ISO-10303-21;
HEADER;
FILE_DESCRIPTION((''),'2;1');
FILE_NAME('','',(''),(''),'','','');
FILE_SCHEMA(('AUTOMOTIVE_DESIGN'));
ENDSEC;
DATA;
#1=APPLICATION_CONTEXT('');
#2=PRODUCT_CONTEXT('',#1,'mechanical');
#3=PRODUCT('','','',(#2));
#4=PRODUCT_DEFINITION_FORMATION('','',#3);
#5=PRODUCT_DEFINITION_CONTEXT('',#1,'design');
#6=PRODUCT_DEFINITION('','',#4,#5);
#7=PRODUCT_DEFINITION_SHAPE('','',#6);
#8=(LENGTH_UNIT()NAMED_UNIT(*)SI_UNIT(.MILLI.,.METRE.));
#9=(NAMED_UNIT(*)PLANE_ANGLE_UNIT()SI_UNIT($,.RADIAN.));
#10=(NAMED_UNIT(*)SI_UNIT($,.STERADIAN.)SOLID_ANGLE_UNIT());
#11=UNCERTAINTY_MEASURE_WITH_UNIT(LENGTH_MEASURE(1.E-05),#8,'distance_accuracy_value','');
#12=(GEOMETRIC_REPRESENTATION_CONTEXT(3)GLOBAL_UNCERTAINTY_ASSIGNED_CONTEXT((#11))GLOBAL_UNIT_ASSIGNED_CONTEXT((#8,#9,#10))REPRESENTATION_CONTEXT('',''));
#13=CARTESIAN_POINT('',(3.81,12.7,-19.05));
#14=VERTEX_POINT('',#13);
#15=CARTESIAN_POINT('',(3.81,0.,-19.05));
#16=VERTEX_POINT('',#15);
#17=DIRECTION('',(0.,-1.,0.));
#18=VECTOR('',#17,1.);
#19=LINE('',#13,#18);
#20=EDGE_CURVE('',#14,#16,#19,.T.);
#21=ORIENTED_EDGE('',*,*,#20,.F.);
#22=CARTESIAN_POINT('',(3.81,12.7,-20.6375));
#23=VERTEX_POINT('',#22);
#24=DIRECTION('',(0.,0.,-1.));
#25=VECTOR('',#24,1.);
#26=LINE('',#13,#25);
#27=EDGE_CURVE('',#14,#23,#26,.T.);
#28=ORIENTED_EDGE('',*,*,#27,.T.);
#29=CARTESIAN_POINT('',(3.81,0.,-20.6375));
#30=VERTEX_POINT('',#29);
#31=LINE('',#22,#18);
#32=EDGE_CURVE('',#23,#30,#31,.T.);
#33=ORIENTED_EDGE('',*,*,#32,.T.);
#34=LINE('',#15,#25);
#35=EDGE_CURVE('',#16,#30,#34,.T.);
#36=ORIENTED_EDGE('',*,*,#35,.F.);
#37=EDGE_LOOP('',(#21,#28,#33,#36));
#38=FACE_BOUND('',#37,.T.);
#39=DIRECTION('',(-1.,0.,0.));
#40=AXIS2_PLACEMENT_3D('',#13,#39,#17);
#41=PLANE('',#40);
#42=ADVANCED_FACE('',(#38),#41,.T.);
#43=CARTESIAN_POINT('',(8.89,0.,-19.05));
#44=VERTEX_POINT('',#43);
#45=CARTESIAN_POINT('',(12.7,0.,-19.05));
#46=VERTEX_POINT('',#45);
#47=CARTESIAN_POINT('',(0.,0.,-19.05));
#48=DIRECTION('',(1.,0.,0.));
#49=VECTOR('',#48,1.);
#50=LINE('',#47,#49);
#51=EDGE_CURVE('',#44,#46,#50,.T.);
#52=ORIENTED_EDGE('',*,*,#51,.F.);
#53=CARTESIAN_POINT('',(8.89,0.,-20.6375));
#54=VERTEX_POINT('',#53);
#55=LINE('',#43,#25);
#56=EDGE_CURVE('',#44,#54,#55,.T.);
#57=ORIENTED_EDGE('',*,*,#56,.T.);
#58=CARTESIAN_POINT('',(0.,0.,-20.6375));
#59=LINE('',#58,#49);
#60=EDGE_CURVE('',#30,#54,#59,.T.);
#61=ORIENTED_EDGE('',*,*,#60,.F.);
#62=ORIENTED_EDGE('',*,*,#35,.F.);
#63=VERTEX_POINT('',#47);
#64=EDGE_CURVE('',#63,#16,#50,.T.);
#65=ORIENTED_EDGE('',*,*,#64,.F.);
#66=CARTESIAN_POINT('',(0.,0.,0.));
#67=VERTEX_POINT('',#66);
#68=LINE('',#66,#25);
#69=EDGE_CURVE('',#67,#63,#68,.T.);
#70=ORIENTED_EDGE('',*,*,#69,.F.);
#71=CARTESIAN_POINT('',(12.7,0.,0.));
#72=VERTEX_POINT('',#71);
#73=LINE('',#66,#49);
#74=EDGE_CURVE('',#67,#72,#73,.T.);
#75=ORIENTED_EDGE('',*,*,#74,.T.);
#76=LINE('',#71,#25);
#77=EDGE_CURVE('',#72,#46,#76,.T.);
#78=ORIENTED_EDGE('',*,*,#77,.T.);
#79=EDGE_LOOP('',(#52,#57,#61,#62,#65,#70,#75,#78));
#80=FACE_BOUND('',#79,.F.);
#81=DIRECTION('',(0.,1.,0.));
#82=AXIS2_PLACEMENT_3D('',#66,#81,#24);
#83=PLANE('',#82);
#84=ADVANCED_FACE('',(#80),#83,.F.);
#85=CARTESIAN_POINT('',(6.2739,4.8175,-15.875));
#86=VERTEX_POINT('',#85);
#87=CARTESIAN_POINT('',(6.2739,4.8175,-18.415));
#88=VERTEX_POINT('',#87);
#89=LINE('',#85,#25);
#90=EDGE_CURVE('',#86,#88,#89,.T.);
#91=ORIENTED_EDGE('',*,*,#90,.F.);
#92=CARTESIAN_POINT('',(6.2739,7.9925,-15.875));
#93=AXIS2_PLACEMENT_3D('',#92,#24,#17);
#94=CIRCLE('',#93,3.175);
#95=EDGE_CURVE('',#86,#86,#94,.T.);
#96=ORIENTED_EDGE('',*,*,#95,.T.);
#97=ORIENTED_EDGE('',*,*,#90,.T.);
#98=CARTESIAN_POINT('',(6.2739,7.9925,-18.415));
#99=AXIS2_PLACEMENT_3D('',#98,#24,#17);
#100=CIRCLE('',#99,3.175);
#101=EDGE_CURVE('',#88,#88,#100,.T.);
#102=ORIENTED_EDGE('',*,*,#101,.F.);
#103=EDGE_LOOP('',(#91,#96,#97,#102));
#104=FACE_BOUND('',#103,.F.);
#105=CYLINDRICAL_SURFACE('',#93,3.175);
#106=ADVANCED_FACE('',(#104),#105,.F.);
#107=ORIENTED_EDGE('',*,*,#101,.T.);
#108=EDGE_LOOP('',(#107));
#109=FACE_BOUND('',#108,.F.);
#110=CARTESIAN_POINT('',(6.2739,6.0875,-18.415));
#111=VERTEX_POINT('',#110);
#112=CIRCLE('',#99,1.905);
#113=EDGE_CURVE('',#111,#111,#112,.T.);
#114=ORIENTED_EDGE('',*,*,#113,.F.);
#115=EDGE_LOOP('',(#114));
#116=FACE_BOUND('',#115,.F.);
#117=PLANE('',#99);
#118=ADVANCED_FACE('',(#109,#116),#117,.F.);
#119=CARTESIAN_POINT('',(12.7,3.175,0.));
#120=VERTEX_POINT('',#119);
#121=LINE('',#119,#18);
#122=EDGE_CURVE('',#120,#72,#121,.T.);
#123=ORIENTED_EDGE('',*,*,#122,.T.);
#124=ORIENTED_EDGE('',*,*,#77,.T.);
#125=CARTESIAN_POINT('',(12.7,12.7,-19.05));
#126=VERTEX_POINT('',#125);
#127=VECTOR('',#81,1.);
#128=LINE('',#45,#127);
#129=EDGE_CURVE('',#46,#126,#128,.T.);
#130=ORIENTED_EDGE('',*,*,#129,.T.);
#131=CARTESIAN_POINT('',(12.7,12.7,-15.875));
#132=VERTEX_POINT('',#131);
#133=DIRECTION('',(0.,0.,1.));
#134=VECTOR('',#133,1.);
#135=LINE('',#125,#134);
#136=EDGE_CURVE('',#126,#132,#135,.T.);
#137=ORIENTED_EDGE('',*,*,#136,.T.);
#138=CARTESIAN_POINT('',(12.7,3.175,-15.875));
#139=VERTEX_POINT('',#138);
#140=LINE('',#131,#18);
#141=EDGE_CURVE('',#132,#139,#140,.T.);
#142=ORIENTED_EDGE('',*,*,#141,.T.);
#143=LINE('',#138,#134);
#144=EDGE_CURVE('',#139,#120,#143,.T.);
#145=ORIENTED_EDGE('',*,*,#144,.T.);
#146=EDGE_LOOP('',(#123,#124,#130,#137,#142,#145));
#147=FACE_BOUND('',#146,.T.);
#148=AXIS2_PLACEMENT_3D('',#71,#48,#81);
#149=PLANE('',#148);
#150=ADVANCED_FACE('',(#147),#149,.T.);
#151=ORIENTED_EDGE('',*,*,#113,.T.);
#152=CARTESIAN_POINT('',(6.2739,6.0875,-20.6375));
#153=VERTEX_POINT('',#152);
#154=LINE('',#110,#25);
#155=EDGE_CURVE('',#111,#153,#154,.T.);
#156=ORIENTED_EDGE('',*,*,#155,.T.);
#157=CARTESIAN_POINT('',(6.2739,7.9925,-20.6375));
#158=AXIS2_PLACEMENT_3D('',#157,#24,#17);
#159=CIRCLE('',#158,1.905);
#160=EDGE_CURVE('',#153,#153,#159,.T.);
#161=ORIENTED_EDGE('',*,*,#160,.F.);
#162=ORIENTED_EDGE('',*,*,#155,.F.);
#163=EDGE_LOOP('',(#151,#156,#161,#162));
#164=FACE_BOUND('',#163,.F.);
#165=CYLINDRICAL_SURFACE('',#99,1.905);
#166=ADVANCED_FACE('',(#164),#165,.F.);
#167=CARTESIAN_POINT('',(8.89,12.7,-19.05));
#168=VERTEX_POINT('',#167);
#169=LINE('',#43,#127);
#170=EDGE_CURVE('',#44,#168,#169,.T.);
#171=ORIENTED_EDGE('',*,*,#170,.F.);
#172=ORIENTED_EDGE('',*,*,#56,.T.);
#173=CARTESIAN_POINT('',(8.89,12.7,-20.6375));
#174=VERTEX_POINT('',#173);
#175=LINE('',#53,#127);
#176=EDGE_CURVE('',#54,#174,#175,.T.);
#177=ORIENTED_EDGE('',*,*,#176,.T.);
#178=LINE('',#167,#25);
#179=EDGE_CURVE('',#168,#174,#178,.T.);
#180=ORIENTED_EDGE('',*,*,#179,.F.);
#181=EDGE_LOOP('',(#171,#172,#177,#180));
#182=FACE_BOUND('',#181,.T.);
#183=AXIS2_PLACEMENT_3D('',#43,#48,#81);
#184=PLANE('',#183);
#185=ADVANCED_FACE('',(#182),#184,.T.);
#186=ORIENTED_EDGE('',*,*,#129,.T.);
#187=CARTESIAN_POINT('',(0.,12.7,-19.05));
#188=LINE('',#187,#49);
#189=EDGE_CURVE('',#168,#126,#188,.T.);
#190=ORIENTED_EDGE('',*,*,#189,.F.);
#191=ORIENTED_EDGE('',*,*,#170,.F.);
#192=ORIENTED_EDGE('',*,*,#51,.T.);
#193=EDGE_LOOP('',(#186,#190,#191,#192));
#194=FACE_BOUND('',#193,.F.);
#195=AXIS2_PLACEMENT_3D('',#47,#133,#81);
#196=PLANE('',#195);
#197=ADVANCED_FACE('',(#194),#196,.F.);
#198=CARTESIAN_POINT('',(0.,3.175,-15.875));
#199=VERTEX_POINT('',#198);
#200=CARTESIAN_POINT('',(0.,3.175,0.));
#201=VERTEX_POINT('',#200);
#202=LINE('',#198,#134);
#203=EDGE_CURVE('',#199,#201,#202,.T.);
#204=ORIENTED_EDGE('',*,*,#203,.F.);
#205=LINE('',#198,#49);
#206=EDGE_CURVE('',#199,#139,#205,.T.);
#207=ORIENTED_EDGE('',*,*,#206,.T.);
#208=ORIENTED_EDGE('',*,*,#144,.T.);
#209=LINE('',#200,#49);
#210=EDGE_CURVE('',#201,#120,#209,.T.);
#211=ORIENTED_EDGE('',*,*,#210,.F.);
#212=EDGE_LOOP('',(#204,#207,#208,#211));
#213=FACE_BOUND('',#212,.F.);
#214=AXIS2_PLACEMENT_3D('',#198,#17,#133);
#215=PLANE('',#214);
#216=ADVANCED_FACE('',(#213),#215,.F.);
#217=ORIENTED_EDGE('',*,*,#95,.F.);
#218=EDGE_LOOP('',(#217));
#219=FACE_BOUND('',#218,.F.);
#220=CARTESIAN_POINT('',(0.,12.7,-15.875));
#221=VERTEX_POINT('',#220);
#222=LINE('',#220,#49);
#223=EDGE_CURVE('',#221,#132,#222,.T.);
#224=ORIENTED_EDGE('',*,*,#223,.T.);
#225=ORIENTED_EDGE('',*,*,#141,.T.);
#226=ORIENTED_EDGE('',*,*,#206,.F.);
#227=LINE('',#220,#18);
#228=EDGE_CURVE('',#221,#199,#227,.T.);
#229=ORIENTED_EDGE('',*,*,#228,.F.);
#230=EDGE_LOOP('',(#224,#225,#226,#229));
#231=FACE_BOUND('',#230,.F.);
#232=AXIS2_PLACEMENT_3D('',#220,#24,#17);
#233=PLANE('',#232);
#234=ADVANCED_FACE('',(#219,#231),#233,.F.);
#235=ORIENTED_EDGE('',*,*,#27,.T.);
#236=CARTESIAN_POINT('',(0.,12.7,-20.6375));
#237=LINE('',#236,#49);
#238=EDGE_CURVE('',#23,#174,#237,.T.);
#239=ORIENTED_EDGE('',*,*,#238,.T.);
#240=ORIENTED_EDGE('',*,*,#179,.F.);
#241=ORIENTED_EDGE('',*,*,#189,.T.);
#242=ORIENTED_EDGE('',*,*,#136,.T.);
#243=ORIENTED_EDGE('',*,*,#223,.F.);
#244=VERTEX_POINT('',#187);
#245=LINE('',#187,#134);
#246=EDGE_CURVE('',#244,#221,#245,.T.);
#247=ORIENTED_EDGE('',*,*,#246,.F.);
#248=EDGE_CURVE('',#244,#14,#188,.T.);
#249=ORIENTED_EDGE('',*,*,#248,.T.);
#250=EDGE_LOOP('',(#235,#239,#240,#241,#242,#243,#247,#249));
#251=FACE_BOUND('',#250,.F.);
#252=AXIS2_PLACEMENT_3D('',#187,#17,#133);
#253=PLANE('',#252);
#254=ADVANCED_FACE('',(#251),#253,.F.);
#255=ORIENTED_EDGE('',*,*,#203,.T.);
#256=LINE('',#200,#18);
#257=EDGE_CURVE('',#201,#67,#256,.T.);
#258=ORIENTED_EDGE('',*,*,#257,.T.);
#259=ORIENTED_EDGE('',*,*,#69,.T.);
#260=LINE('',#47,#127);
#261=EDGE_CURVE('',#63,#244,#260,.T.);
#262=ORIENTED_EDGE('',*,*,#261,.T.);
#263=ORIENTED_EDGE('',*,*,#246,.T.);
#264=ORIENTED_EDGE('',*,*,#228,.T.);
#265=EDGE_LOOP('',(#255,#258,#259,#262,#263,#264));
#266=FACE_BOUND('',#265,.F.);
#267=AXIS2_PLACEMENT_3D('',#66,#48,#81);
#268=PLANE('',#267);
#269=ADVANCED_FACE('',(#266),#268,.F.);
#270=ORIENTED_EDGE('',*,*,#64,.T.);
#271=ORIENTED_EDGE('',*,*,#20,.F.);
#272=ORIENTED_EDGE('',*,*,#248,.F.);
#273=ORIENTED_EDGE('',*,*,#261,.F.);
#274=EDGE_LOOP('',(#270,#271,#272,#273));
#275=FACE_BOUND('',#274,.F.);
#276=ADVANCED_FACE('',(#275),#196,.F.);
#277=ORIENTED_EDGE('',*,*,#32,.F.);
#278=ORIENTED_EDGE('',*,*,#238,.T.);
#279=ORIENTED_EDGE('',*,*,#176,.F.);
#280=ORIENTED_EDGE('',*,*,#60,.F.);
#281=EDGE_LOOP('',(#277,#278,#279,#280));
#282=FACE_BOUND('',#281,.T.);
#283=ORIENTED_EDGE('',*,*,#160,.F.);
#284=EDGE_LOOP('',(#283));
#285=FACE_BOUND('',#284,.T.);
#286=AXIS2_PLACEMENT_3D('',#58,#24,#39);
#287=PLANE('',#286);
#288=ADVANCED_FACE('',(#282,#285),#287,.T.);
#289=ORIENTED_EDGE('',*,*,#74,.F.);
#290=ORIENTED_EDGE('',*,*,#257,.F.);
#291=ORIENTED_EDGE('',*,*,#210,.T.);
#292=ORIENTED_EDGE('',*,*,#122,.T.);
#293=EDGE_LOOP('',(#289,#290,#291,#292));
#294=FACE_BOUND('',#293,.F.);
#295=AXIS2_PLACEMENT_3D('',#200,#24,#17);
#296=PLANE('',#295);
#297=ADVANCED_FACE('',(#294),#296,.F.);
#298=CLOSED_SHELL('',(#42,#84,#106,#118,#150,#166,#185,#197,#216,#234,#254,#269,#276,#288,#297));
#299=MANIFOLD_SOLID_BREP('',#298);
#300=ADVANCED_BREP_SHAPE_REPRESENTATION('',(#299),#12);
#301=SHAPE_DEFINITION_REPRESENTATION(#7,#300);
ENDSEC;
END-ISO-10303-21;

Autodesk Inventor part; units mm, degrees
ref_plane "YZ Plane" through (0, 0, 0) normal (1, 0, 0) x (0, 1, 0)
ref_plane "XZ Plane" through (0, 0, 0) normal (0, 1, 0) x (-1, 0, 0)
ref_plane "XY Plane" through (0, 0, 0) normal (0, 0, 1) x (1, 0, 0)
sketch "Sketch1" plane through (0, 0, 0) normal (1, 0, 0) x (0, 1, 0)
  line L0 (0, 0) -> (0, -19.05)
  line L1 (0, -19.05) -> (12.7, -19.05)
  line L2 (12.7, -19.05) -> (12.7, -15.875)
  line L3 (12.7, -15.875) -> (3.175, -15.875)
  line L4 (3.175, -15.875) -> (3.175, 0)
  line L5 (3.175, 0) -> (0, 0)
  dimension "d0" = 3.175
  dimension "d1" = 12.7
  dimension "d4" = 3.175
  dimension "d5" = 19.05
extrude "Extrusion1" add sketch "Sketch1" along normal blind 12.7
sketch "Sketch4" plane through (0, 0, -19.05) normal (0, 0, -1) x (-1, 0, 0)
  line L0 (0, 12.7) -> (-12.7, 12.7) projected
  line L1 (0, 0) -> (-12.7, 0) projected
  line L2 (-8.89, 12.7) -> (-3.81, 12.7)
  line L3 (-3.81, 12.7) -> (-3.81, 0)
  line L4 (-3.81, 0) -> (-8.89, 0)
  line L5 (-8.89, 0) -> (-8.89, 12.7)
  line L6 (0, 0) -> (0, 12.7) projected
  line L7 (0, 12.7) -> (-12.7, 12.7) projected
  line L8 (-12.7, 0) -> (-12.7, 12.7) projected
  line L9 (0, 0) -> (-12.7, 0) projected
  dimension "d22" = 5.08
  dimension "d23" = 12.7
  dimension "d24" = 3.81
extrude "Extrusion2" add sketch "Sketch4" along normal blind 1.5875 contours L3 L1 L5 L0
sketch "Sketch5" plane through (0, 3.175, -15.875) normal (0, 0, 1) x (1, 0, 0)
  line L0 (0, 9.525) -> (0, 0) projected
  line L1 (0, 0) -> (12.7, 0) projected
  line L2 (12.7, 9.525) -> (12.7, 0) projected
  line L3 (0, 9.525) -> (12.7, 9.525) projected
  point P0 (0, -3.175)
  point P1 (6.2739, 4.8175)
hole "Hole3" at (6.2739, 7.9925, -15.875) direction (0, 0, -1) diameter 3.81 end through all counterbore diameter 6.35 counterbore depth 2.54
equation "\"d4\" = d0"
equation "\"d24\" = -0.5 * d22 + 0.5 * d23"
properties part number "spring tab for on arm"
